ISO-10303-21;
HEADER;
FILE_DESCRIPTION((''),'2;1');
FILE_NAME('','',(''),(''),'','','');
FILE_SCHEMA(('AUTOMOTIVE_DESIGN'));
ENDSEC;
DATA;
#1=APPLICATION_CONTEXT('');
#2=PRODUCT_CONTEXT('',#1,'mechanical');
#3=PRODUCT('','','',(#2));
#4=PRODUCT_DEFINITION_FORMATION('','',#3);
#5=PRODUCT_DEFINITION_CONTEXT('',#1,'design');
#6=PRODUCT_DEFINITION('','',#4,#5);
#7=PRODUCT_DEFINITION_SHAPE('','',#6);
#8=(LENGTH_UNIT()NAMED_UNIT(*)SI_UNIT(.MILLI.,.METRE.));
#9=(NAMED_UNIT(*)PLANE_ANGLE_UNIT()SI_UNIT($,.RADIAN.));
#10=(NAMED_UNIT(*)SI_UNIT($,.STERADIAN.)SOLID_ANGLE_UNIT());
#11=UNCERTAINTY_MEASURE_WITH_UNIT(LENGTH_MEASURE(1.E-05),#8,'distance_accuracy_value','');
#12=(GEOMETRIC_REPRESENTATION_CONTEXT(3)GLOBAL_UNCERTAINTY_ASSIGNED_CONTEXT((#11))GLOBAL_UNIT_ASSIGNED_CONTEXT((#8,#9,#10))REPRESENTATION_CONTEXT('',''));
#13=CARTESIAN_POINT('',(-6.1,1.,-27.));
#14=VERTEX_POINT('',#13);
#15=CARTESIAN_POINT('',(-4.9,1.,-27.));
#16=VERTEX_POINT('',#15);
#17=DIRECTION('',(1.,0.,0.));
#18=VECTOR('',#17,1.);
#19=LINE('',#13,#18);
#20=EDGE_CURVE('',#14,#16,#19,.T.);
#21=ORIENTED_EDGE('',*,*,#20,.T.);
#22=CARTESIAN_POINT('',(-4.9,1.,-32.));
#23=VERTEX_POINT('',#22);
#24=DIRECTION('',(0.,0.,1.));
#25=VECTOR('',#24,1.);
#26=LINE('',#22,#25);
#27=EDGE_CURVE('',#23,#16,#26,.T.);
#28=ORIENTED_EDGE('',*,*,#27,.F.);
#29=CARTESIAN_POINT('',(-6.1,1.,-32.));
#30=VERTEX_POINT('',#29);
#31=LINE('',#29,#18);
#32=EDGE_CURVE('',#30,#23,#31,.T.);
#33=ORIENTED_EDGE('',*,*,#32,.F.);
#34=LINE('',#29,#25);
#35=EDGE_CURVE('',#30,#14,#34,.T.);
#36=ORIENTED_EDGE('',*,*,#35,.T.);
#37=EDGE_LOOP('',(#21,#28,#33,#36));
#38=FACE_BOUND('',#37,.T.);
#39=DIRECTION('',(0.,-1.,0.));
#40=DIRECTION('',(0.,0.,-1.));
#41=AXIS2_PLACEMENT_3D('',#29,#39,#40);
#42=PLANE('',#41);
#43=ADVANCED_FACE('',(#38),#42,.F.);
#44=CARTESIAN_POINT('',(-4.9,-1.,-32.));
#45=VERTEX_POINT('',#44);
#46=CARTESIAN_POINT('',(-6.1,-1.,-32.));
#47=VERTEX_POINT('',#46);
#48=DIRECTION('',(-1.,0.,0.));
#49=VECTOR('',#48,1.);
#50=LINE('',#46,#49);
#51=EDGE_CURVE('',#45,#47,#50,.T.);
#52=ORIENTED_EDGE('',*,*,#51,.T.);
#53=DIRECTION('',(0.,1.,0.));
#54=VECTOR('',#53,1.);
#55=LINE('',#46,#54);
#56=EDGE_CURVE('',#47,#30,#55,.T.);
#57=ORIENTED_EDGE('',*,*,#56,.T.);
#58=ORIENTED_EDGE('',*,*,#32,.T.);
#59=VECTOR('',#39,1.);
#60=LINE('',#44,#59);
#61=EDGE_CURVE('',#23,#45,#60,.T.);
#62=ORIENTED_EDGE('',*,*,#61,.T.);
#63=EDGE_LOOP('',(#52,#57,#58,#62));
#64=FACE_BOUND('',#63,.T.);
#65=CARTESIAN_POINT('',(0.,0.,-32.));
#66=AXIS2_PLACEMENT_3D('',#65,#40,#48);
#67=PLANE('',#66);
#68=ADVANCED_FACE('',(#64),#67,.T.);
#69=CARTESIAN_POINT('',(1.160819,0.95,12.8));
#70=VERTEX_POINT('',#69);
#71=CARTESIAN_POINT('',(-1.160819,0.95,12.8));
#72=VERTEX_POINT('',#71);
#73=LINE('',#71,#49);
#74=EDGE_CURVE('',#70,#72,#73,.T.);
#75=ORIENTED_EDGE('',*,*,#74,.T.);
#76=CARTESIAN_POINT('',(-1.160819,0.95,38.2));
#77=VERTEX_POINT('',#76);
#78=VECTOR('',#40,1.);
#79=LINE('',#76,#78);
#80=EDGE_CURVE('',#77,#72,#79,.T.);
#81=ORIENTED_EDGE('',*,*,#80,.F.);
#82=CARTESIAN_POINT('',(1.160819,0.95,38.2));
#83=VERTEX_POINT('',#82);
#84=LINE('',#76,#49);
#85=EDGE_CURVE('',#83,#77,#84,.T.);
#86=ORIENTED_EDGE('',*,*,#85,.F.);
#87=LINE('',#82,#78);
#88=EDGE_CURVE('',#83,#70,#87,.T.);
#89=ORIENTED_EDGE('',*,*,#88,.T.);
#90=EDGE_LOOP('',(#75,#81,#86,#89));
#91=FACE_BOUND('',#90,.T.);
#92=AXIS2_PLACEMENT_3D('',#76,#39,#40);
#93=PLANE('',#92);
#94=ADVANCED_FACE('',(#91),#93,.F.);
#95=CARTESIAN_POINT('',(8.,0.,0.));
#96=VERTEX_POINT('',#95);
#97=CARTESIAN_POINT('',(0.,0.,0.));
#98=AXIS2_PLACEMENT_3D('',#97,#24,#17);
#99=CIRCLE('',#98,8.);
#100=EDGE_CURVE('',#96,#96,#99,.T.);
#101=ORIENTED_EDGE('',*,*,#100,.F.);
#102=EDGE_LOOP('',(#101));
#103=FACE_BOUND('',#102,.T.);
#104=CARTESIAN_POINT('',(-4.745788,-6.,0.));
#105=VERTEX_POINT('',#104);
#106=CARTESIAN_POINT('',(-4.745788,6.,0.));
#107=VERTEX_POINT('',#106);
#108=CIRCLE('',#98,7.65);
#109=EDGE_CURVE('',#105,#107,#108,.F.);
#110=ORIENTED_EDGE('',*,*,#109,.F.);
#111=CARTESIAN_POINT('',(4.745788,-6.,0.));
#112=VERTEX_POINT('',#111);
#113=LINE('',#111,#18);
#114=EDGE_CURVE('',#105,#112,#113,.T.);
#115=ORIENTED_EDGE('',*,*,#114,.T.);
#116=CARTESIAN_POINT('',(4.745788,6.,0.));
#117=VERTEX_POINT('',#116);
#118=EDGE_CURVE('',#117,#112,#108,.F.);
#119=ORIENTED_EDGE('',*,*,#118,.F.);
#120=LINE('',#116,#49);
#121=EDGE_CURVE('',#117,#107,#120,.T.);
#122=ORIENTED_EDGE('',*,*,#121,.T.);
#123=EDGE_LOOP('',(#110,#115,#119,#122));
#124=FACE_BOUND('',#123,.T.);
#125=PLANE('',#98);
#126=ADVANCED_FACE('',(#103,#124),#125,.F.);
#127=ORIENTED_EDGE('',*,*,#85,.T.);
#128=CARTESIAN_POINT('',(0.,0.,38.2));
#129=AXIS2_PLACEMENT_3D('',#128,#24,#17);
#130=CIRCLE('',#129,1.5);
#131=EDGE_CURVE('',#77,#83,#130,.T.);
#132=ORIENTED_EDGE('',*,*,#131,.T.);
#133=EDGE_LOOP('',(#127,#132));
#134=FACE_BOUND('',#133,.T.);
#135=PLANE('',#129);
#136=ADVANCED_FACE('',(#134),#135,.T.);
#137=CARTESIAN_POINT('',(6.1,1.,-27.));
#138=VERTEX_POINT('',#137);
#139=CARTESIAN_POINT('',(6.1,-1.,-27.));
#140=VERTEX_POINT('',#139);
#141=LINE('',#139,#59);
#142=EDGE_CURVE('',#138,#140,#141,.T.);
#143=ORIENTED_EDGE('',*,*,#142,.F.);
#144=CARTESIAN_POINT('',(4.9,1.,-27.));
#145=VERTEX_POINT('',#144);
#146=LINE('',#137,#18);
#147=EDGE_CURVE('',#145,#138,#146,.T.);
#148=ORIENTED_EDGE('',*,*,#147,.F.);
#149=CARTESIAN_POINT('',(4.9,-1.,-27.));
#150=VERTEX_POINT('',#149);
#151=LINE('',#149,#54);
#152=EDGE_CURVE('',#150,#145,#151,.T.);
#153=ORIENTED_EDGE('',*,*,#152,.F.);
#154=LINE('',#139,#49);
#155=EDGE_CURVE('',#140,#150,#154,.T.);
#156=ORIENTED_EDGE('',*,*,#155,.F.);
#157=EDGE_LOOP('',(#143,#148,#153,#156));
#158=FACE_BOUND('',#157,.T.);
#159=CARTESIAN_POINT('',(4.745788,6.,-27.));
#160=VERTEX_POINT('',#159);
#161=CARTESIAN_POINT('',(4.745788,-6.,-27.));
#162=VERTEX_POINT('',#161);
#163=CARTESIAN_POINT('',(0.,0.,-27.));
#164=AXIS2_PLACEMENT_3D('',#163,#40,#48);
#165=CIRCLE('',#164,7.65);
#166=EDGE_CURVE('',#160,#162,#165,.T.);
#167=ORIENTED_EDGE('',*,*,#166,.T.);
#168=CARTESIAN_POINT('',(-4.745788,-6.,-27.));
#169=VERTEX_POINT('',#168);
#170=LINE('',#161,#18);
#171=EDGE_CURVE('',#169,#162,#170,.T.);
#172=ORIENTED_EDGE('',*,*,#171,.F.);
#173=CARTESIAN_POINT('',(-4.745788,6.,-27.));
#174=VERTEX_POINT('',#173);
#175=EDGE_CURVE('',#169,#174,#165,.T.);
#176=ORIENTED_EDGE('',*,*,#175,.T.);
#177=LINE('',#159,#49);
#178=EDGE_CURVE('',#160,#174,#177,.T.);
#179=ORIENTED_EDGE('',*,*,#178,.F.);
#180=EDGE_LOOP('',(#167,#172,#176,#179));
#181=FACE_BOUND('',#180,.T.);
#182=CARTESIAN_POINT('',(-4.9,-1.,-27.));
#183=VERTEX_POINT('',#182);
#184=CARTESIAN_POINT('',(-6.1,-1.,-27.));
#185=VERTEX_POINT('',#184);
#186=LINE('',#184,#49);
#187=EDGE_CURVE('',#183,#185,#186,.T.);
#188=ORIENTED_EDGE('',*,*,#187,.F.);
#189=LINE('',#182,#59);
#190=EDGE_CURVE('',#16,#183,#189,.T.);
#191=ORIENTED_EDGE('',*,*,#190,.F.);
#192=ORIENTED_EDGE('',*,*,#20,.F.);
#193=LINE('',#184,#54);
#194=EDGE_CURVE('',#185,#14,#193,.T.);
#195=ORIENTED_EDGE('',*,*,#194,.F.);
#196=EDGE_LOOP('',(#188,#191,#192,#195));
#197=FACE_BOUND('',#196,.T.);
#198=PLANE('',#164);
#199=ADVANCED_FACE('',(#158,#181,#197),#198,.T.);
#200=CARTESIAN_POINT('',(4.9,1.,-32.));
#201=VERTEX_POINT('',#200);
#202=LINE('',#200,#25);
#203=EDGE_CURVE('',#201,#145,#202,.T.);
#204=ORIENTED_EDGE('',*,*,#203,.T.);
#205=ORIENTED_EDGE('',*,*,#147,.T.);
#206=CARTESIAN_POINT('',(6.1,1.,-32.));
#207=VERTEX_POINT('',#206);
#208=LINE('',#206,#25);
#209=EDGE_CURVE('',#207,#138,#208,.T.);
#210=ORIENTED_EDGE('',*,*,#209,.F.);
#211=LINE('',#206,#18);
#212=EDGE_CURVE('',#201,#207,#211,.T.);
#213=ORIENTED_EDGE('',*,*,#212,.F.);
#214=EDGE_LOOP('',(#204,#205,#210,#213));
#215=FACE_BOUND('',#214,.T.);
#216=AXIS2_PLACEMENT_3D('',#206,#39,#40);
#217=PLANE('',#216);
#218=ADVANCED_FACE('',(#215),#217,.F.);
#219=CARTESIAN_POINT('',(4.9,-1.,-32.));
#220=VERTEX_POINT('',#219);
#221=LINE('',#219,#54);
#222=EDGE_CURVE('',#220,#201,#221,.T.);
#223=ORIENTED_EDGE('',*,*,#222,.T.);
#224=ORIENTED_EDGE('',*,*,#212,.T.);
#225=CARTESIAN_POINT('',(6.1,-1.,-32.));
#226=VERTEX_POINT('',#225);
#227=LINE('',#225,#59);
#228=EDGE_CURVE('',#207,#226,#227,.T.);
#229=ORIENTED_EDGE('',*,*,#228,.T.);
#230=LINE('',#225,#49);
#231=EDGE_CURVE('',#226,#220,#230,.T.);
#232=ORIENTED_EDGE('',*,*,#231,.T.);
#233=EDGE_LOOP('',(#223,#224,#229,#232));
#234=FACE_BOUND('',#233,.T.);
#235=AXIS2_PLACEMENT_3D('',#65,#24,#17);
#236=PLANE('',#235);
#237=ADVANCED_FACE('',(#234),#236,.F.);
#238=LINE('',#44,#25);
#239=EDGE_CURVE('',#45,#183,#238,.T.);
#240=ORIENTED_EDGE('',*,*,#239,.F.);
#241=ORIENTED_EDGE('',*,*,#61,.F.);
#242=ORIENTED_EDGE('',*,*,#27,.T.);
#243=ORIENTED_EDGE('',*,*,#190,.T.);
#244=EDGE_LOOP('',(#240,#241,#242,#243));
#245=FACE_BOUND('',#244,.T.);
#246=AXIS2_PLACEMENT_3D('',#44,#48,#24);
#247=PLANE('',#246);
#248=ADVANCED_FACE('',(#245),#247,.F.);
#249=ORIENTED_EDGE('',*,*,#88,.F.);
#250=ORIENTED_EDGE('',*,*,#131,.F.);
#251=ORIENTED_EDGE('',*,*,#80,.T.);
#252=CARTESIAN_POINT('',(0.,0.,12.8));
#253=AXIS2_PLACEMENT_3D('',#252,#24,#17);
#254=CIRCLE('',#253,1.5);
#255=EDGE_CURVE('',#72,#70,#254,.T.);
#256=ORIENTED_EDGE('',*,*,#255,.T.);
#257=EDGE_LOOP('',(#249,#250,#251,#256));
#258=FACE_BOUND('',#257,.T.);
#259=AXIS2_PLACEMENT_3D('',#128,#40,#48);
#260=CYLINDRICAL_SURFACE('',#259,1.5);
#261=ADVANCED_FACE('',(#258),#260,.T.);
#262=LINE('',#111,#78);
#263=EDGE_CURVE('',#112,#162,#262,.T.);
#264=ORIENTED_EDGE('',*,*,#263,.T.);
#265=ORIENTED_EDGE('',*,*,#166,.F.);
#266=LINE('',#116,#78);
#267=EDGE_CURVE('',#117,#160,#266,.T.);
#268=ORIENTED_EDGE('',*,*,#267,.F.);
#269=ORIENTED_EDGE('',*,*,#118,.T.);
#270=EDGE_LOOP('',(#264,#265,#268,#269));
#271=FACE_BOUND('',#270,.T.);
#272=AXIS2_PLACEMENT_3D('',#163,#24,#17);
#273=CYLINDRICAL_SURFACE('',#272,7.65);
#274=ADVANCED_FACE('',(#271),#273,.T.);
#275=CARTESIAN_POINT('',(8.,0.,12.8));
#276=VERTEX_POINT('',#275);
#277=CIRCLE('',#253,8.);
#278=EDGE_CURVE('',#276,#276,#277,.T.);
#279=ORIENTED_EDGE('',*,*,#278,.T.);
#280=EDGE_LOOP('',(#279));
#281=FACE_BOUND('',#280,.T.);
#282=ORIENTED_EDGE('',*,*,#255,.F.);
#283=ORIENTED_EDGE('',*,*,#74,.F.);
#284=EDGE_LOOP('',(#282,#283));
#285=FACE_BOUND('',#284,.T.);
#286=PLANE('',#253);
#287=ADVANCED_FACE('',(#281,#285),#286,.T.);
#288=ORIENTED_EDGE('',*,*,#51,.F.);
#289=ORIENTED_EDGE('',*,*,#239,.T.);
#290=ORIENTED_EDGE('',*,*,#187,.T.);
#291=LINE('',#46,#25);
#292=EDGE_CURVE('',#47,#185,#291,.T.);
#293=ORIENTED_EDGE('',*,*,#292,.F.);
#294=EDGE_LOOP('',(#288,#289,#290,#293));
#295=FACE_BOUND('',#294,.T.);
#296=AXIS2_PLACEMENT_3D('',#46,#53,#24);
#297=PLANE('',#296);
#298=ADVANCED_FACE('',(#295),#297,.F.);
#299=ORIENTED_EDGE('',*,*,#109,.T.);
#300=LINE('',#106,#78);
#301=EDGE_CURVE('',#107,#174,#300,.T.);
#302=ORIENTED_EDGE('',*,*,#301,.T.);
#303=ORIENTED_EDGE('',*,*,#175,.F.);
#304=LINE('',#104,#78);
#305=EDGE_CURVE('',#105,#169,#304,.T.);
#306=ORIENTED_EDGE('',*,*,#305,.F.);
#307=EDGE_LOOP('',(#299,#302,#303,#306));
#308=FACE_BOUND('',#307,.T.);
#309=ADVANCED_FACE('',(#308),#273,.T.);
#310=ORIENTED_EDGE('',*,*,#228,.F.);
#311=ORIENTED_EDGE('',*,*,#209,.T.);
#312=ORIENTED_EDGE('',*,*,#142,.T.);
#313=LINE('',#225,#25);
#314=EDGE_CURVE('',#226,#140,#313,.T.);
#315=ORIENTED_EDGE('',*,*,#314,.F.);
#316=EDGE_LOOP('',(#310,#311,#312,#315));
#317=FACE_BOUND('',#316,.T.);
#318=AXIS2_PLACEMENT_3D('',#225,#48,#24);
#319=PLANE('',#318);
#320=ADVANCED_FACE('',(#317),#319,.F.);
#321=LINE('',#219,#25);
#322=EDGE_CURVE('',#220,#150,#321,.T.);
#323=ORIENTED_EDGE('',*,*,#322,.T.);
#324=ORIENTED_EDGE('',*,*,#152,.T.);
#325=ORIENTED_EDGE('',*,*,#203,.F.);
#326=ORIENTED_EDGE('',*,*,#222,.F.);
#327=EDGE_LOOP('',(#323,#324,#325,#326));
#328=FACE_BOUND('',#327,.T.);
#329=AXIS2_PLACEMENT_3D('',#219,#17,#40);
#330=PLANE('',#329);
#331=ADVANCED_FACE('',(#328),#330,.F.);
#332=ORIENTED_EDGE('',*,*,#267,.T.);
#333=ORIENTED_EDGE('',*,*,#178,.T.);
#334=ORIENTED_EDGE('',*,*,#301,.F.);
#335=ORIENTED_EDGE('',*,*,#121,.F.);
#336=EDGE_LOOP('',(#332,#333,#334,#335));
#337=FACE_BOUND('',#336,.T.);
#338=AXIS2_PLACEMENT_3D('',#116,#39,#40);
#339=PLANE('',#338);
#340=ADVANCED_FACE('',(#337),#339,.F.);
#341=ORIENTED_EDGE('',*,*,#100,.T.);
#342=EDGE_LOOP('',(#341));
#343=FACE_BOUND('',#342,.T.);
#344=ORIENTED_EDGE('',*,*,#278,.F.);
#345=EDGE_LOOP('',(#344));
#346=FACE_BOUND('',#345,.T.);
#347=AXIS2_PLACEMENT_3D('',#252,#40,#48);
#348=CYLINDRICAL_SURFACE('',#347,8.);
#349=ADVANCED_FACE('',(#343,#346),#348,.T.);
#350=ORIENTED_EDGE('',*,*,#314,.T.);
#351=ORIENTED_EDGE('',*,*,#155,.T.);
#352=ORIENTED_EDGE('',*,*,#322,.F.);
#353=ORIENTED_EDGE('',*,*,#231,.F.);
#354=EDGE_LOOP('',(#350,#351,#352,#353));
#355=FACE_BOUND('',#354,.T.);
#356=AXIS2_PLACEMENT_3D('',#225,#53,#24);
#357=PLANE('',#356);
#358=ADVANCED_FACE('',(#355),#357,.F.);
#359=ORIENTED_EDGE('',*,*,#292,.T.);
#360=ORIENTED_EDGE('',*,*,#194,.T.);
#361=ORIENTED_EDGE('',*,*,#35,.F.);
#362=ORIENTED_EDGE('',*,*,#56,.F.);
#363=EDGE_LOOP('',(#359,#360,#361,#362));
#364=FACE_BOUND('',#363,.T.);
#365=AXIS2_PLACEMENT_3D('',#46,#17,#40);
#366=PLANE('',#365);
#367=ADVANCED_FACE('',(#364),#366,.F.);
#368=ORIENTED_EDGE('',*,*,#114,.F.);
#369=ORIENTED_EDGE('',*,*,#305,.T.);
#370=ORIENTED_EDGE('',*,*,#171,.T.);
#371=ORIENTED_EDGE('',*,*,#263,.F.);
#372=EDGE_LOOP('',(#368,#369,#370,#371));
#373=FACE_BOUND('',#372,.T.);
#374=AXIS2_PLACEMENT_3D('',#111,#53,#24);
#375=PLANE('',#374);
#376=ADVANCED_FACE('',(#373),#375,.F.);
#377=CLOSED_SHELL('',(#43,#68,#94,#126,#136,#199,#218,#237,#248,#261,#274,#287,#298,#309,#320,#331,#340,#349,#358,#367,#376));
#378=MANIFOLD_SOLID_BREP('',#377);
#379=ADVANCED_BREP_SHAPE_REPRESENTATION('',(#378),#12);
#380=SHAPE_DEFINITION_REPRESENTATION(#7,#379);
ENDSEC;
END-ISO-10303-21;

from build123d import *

# Parameters (mm, degrees)
SKETCH1_R           = 8
BOSS_EXTRUDE1_DEPTH = 12.8
SKETCH3_R           = 7.65
BOSS_EXTRUDE3_DEPTH = 27
CUT_EXTRUDE1_DEPTH  = 27
BOSS_EXTRUDE4_DEPTH = 25.4
SKETCH8_W           = 1.2
SKETCH8_H           = 2
BOSS_EXTRUDE5_DEPTH = 5


with BuildPart() as part:
    # Sketch1 → Boss-Extrude1 (new body)
    with BuildSketch(Plane.XY):
        Circle(SKETCH1_R)
    extrude(amount=BOSS_EXTRUDE1_DEPTH)

    # Sketch3 → Boss-Extrude3 (add)
    with BuildSketch(Plane(origin=(0, 0, 0), x_dir=(-1, 0, 0), z_dir=(0, 0, -1))):
        Circle(SKETCH3_R)
    extrude(amount=BOSS_EXTRUDE3_DEPTH)

    # Sketch4 → Cut-Extrude1 (cut)
    with BuildSketch(Plane(origin=(0, 0, -27), x_dir=(-1, 0, 0), z_dir=(0, 0, -1))):
        with BuildLine():
            Line((-4.745787606, -6), (4.745787606, -6))
            ThreePointArc((4.745787606, -6), (0, -7.65), (-4.745787606, -6))
        make_face()
        with BuildLine():
            Line((-4.745787606, 6), (4.745787606, 6))
            ThreePointArc((4.745787606, 6), (0, 7.65), (-4.745787606, 6))
        make_face()
    extrude(amount=-CUT_EXTRUDE1_DEPTH, mode=Mode.SUBTRACT)

    # Sketch7 → Boss-Extrude4 (add)
    with BuildSketch(Plane.XY.offset(12.8)):
        with BuildLine():
            Line((-1.160818677, 0.95), (1.160818677, 0.95))
            ThreePointArc((1.160818677, 0.95), (0, -1.5), (-1.160818677, 0.95))
        make_face()
    extrude(amount=BOSS_EXTRUDE4_DEPTH)

    # Sketch8 → Boss-Extrude5 (add)
    with BuildSketch(Plane(origin=(0, 0, -27), x_dir=(-1, 0, 0), z_dir=(0, 0, -1))):
        with Locations((-5.5, 0)):
            Rectangle(SKETCH8_W, SKETCH8_H)
        with Locations((5.5, 0)):
            Rectangle(SKETCH8_W, SKETCH8_H)
    extrude(amount=BOSS_EXTRUDE5_DEPTH)


solid = part.part
